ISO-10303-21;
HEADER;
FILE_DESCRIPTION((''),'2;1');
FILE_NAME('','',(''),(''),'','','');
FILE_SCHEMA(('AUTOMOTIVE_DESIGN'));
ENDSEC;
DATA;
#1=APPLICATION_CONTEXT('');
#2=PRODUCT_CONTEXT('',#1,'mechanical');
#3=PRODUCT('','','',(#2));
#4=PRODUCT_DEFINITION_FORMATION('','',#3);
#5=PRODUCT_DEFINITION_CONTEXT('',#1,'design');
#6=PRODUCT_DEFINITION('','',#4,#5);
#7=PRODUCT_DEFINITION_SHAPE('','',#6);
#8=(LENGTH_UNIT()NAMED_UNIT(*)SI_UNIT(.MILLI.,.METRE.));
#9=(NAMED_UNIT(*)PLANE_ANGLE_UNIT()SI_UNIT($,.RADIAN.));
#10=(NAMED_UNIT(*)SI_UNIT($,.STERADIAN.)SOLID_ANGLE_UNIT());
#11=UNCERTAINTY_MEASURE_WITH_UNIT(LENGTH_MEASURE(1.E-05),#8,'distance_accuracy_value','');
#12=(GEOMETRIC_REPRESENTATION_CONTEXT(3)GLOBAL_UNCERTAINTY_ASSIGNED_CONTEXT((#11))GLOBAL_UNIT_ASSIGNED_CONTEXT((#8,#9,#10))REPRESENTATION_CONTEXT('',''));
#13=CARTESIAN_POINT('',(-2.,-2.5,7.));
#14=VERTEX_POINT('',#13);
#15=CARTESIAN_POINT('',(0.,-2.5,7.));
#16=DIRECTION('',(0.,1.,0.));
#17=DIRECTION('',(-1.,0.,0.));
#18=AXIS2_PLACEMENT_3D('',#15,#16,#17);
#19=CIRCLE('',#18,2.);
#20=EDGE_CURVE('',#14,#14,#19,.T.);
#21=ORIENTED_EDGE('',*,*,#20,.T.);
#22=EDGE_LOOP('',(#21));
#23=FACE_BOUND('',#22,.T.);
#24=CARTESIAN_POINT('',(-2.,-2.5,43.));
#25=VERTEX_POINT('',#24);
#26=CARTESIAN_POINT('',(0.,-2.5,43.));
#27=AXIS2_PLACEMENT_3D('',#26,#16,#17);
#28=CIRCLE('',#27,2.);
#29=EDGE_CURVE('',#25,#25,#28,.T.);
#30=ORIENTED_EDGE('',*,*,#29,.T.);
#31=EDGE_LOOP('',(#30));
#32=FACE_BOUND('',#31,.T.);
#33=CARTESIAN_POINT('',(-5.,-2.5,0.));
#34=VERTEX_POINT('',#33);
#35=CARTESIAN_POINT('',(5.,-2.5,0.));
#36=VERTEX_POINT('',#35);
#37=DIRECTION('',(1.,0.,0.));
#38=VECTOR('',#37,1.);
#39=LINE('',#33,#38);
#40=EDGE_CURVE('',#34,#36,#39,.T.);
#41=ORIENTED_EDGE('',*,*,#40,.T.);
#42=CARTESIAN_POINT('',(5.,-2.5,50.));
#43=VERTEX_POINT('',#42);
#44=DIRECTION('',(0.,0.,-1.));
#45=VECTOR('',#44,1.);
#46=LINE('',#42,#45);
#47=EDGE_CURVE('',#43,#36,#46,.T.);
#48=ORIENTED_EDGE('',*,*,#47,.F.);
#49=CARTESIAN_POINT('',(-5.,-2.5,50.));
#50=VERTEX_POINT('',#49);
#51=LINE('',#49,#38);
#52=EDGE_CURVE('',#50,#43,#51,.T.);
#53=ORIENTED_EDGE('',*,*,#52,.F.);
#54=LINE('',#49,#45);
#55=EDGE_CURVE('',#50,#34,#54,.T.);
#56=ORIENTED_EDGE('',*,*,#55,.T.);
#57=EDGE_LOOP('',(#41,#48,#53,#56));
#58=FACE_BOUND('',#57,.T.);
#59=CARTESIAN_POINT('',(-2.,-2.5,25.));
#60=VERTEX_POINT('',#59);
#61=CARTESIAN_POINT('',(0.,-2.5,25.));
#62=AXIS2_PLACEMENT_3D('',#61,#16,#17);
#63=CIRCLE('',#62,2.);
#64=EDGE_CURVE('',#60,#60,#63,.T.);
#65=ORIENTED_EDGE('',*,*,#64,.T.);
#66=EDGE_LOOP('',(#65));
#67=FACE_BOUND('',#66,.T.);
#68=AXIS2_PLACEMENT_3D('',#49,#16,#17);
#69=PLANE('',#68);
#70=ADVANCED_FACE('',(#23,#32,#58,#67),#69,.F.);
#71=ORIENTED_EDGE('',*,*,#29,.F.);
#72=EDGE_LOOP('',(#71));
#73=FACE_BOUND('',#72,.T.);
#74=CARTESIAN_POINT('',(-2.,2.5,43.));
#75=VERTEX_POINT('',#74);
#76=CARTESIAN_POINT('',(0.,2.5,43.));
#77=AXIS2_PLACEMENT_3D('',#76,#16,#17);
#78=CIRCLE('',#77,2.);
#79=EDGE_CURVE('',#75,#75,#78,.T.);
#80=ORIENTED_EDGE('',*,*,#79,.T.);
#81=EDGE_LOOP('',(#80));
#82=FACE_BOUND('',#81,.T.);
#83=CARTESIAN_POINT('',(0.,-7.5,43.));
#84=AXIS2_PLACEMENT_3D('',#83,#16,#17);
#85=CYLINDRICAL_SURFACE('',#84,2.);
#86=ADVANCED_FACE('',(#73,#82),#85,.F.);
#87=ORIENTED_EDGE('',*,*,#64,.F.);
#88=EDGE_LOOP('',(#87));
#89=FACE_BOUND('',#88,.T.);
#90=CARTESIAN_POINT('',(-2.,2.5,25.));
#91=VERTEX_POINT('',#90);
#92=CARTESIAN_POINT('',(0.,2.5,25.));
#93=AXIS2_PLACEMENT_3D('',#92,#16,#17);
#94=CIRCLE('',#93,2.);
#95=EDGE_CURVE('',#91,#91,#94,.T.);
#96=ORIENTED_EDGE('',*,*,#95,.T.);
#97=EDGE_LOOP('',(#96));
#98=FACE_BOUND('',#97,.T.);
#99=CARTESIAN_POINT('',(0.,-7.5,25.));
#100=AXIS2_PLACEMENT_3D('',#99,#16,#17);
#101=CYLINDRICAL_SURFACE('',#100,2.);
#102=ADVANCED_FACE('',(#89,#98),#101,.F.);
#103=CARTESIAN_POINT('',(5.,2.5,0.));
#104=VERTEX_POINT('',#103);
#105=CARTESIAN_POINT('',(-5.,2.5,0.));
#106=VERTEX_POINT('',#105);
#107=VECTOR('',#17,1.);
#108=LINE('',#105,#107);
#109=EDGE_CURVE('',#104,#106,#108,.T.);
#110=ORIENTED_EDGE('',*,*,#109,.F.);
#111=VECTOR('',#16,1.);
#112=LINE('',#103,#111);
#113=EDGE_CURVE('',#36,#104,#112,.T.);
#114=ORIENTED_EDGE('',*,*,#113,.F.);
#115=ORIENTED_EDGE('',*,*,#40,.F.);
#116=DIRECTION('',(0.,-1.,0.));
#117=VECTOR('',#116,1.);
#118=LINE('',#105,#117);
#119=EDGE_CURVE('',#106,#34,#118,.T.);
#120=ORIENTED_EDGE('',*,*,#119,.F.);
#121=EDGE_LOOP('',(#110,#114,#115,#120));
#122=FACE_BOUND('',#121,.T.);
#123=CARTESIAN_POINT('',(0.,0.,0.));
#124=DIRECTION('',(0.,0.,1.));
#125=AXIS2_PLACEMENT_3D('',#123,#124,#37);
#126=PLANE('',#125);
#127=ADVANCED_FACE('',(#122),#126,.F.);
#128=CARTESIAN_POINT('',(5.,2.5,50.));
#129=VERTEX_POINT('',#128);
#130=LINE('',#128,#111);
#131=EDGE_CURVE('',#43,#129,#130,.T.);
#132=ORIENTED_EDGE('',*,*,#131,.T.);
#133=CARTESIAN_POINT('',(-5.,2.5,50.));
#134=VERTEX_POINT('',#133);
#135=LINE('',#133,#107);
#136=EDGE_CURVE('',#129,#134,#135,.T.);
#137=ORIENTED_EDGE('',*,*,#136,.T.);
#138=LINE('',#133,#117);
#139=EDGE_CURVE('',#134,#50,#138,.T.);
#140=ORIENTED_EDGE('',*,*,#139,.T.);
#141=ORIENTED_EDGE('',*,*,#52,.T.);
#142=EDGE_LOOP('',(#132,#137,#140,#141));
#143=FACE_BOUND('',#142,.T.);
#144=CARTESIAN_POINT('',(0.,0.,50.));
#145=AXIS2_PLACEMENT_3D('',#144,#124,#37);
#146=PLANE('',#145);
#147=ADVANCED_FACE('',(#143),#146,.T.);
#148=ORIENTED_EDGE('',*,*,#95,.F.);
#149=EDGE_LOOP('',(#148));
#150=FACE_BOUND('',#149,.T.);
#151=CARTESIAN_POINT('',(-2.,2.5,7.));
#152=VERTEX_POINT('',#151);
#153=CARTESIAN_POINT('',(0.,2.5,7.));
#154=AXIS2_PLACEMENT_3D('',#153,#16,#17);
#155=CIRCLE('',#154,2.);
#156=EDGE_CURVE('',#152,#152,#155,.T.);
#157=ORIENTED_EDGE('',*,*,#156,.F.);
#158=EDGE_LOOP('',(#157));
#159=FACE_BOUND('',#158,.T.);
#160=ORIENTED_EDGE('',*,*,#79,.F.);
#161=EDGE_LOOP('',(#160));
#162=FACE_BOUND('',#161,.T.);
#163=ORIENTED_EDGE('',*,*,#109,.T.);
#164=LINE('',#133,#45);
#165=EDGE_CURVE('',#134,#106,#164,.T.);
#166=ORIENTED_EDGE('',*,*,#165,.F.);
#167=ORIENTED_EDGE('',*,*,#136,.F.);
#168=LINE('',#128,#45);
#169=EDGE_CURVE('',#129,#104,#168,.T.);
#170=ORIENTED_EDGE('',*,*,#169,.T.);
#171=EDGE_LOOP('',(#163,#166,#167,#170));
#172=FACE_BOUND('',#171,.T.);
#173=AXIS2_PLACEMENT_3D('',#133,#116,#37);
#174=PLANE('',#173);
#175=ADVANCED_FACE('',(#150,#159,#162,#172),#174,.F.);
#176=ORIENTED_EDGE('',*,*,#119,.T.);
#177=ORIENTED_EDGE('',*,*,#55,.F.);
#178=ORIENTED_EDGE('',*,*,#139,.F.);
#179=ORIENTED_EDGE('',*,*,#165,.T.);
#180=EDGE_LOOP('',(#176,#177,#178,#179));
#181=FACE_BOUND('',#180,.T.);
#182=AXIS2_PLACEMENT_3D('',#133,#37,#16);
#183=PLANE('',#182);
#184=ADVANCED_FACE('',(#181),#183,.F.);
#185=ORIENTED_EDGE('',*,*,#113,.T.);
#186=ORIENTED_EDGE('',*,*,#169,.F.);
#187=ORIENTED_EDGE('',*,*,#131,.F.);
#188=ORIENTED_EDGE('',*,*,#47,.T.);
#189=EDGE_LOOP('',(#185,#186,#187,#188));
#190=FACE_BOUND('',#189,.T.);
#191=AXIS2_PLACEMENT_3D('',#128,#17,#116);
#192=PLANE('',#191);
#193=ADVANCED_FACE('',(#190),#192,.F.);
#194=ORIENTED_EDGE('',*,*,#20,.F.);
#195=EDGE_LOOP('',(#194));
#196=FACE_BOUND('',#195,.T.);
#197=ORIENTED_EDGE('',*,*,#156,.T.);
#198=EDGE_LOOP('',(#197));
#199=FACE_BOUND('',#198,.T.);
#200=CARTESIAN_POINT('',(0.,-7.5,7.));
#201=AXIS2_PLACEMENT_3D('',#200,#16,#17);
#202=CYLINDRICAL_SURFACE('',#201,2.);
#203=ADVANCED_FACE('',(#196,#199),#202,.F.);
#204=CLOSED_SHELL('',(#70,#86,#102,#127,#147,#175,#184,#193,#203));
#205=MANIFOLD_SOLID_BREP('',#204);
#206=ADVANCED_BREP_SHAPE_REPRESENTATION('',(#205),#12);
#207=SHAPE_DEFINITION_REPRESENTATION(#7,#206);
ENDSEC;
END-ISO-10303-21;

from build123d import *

# Parameters (mm, degrees)
SKETCH1_W           = 10
SKETCH1_H           = 5
BOSS_EXTRUDE1_DEPTH = 50
SKETCH2_R           = 2
CUT_EXTRUDE1_DEPTH  = 10


with BuildPart() as part:
    # Sketch1 → Boss-Extrude1 (new body)
    with BuildSketch(Plane.XY):
        Rectangle(SKETCH1_W, SKETCH1_H)
    extrude(amount=BOSS_EXTRUDE1_DEPTH)

    # Sketch2 → Cut-Extrude1 (cut)
    with BuildSketch(Plane(origin=(0, 2.5, 0), x_dir=(1, 0, 0), z_dir=(0, 1, 0))):
        with Locations((0, -43)):
            Circle(SKETCH2_R)
        with Locations((0, -25)):
            Circle(SKETCH2_R)
        with Locations((0, -7)):
            Circle(SKETCH2_R)
    extrude(amount=-CUT_EXTRUDE1_DEPTH, mode=Mode.SUBTRACT)


solid = part.part
